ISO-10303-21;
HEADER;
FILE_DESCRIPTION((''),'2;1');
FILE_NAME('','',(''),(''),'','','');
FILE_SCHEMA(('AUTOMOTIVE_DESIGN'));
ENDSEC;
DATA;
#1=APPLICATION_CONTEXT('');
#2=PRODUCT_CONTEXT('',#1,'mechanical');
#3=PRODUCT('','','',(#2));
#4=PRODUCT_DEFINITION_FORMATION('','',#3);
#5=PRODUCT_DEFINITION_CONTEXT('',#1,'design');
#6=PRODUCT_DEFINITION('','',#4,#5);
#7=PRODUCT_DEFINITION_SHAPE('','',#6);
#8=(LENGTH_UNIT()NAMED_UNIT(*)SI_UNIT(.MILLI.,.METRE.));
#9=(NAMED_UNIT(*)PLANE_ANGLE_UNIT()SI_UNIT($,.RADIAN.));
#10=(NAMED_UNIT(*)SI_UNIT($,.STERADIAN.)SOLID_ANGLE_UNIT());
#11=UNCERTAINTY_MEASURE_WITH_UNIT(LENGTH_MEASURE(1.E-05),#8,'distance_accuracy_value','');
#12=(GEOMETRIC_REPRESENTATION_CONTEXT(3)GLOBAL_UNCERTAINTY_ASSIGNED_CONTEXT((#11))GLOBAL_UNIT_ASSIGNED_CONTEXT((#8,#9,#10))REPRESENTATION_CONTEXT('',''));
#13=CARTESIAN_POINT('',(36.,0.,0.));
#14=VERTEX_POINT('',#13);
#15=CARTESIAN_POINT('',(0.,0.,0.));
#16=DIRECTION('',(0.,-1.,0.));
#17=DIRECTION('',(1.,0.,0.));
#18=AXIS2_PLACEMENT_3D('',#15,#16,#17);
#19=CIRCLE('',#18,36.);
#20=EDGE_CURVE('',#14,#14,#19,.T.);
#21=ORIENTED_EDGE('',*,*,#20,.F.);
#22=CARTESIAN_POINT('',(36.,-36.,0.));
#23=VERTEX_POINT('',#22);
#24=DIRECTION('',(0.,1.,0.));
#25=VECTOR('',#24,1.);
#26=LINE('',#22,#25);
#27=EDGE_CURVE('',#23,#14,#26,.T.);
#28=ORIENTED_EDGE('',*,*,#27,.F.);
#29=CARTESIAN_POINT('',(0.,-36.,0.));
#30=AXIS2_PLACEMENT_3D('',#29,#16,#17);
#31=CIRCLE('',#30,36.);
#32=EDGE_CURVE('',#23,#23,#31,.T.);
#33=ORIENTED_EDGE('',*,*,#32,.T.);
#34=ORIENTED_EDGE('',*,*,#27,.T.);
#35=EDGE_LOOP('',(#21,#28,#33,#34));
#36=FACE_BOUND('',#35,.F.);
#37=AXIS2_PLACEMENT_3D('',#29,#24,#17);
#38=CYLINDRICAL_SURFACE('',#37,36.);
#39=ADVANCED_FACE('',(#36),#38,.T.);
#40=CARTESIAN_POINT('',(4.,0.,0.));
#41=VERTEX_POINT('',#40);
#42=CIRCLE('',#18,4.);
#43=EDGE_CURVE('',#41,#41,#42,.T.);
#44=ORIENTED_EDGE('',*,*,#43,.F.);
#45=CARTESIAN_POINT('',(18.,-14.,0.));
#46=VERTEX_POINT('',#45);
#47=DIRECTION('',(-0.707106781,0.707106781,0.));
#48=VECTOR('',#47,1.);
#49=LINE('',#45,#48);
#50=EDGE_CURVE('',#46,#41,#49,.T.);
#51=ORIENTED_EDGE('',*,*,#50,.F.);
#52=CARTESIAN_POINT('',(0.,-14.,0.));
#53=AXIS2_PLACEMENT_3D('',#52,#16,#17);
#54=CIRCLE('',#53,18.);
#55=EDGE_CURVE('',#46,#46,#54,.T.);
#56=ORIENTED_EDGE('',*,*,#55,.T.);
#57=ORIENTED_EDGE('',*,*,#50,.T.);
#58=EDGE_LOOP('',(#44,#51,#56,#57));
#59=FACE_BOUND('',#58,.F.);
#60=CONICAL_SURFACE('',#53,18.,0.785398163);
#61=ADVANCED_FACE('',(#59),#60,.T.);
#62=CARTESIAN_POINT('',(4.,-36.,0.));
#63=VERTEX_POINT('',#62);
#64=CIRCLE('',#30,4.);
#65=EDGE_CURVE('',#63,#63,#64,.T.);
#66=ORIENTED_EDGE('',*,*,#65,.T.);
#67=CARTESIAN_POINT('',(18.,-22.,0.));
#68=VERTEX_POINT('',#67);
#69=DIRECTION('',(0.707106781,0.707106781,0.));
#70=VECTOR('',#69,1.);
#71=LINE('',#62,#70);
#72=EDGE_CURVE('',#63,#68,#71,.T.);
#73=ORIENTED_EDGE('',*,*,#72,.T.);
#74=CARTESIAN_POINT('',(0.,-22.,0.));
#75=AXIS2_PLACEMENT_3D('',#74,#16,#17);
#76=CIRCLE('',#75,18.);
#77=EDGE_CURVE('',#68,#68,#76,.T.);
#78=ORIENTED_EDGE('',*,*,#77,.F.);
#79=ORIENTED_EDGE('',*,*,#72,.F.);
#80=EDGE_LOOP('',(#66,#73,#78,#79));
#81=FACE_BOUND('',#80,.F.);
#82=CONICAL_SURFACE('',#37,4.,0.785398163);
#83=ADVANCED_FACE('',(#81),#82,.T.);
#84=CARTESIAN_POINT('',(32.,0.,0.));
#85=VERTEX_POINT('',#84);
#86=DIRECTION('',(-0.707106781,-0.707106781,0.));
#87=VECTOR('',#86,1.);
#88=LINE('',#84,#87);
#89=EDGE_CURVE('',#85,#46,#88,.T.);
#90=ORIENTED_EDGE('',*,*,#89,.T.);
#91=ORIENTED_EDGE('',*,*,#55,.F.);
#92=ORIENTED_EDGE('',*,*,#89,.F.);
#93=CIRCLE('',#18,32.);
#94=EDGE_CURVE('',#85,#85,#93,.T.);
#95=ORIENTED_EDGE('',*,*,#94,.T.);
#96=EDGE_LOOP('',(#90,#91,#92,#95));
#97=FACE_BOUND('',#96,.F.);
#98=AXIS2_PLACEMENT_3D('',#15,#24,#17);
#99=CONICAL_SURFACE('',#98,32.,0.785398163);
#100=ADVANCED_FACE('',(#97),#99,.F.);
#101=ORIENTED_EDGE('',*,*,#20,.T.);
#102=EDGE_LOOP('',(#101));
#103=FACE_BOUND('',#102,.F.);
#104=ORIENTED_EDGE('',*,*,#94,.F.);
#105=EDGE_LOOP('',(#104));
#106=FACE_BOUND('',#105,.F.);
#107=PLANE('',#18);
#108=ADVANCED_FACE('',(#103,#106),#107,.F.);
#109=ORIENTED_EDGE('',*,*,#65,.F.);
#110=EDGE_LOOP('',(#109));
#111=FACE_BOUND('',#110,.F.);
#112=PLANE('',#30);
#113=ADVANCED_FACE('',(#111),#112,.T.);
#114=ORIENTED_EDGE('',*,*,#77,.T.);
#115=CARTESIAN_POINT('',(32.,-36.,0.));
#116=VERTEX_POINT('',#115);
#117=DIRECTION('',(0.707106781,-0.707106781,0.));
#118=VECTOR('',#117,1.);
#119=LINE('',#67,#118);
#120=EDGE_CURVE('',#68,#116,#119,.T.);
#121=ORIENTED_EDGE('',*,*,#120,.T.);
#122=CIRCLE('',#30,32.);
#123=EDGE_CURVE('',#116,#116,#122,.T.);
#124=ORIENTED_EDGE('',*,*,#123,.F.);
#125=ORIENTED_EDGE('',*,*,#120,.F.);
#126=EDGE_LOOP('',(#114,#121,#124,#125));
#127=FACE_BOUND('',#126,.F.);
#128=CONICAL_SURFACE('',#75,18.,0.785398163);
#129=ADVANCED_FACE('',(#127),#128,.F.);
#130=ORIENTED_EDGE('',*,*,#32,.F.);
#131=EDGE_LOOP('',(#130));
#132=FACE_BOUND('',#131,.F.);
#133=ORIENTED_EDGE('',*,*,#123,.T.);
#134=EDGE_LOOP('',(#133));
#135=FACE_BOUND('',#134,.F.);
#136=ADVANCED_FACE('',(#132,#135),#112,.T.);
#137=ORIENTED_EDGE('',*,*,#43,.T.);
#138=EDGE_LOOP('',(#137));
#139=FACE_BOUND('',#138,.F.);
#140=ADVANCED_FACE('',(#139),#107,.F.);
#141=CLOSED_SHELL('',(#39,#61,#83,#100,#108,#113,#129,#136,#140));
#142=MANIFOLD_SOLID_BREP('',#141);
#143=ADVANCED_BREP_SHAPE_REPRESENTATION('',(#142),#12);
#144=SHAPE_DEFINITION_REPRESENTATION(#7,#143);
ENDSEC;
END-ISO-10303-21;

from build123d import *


with BuildPart() as f1:
    # F0 (on Top) → F1 (revolve)
    with BuildSketch(Plane.XY):
        Polygon((4, 0), (0, 0), (0, -36), (4, -36), (18, -22), (32, -36), (36, -36), (36, 0), (32, 0), (18, -14), align=None)
        Polygon((16.343146, -18), (4, -30.343146), (4, -5.656854), align=None, mode=Mode.SUBTRACT)
        Polygon((32, -30.343146), (19.656854, -18), (32, -5.656854), align=None, mode=Mode.SUBTRACT)
        Polygon((4, -5.656854), (4, -30.343146), (16.343146, -18), align=None)
        Polygon((32, -5.656854), (19.656854, -18), (32, -30.343146), align=None)
    revolve(axis=Axis((0, -18, 0), (0, -1, 0)))


solid = f1.part
